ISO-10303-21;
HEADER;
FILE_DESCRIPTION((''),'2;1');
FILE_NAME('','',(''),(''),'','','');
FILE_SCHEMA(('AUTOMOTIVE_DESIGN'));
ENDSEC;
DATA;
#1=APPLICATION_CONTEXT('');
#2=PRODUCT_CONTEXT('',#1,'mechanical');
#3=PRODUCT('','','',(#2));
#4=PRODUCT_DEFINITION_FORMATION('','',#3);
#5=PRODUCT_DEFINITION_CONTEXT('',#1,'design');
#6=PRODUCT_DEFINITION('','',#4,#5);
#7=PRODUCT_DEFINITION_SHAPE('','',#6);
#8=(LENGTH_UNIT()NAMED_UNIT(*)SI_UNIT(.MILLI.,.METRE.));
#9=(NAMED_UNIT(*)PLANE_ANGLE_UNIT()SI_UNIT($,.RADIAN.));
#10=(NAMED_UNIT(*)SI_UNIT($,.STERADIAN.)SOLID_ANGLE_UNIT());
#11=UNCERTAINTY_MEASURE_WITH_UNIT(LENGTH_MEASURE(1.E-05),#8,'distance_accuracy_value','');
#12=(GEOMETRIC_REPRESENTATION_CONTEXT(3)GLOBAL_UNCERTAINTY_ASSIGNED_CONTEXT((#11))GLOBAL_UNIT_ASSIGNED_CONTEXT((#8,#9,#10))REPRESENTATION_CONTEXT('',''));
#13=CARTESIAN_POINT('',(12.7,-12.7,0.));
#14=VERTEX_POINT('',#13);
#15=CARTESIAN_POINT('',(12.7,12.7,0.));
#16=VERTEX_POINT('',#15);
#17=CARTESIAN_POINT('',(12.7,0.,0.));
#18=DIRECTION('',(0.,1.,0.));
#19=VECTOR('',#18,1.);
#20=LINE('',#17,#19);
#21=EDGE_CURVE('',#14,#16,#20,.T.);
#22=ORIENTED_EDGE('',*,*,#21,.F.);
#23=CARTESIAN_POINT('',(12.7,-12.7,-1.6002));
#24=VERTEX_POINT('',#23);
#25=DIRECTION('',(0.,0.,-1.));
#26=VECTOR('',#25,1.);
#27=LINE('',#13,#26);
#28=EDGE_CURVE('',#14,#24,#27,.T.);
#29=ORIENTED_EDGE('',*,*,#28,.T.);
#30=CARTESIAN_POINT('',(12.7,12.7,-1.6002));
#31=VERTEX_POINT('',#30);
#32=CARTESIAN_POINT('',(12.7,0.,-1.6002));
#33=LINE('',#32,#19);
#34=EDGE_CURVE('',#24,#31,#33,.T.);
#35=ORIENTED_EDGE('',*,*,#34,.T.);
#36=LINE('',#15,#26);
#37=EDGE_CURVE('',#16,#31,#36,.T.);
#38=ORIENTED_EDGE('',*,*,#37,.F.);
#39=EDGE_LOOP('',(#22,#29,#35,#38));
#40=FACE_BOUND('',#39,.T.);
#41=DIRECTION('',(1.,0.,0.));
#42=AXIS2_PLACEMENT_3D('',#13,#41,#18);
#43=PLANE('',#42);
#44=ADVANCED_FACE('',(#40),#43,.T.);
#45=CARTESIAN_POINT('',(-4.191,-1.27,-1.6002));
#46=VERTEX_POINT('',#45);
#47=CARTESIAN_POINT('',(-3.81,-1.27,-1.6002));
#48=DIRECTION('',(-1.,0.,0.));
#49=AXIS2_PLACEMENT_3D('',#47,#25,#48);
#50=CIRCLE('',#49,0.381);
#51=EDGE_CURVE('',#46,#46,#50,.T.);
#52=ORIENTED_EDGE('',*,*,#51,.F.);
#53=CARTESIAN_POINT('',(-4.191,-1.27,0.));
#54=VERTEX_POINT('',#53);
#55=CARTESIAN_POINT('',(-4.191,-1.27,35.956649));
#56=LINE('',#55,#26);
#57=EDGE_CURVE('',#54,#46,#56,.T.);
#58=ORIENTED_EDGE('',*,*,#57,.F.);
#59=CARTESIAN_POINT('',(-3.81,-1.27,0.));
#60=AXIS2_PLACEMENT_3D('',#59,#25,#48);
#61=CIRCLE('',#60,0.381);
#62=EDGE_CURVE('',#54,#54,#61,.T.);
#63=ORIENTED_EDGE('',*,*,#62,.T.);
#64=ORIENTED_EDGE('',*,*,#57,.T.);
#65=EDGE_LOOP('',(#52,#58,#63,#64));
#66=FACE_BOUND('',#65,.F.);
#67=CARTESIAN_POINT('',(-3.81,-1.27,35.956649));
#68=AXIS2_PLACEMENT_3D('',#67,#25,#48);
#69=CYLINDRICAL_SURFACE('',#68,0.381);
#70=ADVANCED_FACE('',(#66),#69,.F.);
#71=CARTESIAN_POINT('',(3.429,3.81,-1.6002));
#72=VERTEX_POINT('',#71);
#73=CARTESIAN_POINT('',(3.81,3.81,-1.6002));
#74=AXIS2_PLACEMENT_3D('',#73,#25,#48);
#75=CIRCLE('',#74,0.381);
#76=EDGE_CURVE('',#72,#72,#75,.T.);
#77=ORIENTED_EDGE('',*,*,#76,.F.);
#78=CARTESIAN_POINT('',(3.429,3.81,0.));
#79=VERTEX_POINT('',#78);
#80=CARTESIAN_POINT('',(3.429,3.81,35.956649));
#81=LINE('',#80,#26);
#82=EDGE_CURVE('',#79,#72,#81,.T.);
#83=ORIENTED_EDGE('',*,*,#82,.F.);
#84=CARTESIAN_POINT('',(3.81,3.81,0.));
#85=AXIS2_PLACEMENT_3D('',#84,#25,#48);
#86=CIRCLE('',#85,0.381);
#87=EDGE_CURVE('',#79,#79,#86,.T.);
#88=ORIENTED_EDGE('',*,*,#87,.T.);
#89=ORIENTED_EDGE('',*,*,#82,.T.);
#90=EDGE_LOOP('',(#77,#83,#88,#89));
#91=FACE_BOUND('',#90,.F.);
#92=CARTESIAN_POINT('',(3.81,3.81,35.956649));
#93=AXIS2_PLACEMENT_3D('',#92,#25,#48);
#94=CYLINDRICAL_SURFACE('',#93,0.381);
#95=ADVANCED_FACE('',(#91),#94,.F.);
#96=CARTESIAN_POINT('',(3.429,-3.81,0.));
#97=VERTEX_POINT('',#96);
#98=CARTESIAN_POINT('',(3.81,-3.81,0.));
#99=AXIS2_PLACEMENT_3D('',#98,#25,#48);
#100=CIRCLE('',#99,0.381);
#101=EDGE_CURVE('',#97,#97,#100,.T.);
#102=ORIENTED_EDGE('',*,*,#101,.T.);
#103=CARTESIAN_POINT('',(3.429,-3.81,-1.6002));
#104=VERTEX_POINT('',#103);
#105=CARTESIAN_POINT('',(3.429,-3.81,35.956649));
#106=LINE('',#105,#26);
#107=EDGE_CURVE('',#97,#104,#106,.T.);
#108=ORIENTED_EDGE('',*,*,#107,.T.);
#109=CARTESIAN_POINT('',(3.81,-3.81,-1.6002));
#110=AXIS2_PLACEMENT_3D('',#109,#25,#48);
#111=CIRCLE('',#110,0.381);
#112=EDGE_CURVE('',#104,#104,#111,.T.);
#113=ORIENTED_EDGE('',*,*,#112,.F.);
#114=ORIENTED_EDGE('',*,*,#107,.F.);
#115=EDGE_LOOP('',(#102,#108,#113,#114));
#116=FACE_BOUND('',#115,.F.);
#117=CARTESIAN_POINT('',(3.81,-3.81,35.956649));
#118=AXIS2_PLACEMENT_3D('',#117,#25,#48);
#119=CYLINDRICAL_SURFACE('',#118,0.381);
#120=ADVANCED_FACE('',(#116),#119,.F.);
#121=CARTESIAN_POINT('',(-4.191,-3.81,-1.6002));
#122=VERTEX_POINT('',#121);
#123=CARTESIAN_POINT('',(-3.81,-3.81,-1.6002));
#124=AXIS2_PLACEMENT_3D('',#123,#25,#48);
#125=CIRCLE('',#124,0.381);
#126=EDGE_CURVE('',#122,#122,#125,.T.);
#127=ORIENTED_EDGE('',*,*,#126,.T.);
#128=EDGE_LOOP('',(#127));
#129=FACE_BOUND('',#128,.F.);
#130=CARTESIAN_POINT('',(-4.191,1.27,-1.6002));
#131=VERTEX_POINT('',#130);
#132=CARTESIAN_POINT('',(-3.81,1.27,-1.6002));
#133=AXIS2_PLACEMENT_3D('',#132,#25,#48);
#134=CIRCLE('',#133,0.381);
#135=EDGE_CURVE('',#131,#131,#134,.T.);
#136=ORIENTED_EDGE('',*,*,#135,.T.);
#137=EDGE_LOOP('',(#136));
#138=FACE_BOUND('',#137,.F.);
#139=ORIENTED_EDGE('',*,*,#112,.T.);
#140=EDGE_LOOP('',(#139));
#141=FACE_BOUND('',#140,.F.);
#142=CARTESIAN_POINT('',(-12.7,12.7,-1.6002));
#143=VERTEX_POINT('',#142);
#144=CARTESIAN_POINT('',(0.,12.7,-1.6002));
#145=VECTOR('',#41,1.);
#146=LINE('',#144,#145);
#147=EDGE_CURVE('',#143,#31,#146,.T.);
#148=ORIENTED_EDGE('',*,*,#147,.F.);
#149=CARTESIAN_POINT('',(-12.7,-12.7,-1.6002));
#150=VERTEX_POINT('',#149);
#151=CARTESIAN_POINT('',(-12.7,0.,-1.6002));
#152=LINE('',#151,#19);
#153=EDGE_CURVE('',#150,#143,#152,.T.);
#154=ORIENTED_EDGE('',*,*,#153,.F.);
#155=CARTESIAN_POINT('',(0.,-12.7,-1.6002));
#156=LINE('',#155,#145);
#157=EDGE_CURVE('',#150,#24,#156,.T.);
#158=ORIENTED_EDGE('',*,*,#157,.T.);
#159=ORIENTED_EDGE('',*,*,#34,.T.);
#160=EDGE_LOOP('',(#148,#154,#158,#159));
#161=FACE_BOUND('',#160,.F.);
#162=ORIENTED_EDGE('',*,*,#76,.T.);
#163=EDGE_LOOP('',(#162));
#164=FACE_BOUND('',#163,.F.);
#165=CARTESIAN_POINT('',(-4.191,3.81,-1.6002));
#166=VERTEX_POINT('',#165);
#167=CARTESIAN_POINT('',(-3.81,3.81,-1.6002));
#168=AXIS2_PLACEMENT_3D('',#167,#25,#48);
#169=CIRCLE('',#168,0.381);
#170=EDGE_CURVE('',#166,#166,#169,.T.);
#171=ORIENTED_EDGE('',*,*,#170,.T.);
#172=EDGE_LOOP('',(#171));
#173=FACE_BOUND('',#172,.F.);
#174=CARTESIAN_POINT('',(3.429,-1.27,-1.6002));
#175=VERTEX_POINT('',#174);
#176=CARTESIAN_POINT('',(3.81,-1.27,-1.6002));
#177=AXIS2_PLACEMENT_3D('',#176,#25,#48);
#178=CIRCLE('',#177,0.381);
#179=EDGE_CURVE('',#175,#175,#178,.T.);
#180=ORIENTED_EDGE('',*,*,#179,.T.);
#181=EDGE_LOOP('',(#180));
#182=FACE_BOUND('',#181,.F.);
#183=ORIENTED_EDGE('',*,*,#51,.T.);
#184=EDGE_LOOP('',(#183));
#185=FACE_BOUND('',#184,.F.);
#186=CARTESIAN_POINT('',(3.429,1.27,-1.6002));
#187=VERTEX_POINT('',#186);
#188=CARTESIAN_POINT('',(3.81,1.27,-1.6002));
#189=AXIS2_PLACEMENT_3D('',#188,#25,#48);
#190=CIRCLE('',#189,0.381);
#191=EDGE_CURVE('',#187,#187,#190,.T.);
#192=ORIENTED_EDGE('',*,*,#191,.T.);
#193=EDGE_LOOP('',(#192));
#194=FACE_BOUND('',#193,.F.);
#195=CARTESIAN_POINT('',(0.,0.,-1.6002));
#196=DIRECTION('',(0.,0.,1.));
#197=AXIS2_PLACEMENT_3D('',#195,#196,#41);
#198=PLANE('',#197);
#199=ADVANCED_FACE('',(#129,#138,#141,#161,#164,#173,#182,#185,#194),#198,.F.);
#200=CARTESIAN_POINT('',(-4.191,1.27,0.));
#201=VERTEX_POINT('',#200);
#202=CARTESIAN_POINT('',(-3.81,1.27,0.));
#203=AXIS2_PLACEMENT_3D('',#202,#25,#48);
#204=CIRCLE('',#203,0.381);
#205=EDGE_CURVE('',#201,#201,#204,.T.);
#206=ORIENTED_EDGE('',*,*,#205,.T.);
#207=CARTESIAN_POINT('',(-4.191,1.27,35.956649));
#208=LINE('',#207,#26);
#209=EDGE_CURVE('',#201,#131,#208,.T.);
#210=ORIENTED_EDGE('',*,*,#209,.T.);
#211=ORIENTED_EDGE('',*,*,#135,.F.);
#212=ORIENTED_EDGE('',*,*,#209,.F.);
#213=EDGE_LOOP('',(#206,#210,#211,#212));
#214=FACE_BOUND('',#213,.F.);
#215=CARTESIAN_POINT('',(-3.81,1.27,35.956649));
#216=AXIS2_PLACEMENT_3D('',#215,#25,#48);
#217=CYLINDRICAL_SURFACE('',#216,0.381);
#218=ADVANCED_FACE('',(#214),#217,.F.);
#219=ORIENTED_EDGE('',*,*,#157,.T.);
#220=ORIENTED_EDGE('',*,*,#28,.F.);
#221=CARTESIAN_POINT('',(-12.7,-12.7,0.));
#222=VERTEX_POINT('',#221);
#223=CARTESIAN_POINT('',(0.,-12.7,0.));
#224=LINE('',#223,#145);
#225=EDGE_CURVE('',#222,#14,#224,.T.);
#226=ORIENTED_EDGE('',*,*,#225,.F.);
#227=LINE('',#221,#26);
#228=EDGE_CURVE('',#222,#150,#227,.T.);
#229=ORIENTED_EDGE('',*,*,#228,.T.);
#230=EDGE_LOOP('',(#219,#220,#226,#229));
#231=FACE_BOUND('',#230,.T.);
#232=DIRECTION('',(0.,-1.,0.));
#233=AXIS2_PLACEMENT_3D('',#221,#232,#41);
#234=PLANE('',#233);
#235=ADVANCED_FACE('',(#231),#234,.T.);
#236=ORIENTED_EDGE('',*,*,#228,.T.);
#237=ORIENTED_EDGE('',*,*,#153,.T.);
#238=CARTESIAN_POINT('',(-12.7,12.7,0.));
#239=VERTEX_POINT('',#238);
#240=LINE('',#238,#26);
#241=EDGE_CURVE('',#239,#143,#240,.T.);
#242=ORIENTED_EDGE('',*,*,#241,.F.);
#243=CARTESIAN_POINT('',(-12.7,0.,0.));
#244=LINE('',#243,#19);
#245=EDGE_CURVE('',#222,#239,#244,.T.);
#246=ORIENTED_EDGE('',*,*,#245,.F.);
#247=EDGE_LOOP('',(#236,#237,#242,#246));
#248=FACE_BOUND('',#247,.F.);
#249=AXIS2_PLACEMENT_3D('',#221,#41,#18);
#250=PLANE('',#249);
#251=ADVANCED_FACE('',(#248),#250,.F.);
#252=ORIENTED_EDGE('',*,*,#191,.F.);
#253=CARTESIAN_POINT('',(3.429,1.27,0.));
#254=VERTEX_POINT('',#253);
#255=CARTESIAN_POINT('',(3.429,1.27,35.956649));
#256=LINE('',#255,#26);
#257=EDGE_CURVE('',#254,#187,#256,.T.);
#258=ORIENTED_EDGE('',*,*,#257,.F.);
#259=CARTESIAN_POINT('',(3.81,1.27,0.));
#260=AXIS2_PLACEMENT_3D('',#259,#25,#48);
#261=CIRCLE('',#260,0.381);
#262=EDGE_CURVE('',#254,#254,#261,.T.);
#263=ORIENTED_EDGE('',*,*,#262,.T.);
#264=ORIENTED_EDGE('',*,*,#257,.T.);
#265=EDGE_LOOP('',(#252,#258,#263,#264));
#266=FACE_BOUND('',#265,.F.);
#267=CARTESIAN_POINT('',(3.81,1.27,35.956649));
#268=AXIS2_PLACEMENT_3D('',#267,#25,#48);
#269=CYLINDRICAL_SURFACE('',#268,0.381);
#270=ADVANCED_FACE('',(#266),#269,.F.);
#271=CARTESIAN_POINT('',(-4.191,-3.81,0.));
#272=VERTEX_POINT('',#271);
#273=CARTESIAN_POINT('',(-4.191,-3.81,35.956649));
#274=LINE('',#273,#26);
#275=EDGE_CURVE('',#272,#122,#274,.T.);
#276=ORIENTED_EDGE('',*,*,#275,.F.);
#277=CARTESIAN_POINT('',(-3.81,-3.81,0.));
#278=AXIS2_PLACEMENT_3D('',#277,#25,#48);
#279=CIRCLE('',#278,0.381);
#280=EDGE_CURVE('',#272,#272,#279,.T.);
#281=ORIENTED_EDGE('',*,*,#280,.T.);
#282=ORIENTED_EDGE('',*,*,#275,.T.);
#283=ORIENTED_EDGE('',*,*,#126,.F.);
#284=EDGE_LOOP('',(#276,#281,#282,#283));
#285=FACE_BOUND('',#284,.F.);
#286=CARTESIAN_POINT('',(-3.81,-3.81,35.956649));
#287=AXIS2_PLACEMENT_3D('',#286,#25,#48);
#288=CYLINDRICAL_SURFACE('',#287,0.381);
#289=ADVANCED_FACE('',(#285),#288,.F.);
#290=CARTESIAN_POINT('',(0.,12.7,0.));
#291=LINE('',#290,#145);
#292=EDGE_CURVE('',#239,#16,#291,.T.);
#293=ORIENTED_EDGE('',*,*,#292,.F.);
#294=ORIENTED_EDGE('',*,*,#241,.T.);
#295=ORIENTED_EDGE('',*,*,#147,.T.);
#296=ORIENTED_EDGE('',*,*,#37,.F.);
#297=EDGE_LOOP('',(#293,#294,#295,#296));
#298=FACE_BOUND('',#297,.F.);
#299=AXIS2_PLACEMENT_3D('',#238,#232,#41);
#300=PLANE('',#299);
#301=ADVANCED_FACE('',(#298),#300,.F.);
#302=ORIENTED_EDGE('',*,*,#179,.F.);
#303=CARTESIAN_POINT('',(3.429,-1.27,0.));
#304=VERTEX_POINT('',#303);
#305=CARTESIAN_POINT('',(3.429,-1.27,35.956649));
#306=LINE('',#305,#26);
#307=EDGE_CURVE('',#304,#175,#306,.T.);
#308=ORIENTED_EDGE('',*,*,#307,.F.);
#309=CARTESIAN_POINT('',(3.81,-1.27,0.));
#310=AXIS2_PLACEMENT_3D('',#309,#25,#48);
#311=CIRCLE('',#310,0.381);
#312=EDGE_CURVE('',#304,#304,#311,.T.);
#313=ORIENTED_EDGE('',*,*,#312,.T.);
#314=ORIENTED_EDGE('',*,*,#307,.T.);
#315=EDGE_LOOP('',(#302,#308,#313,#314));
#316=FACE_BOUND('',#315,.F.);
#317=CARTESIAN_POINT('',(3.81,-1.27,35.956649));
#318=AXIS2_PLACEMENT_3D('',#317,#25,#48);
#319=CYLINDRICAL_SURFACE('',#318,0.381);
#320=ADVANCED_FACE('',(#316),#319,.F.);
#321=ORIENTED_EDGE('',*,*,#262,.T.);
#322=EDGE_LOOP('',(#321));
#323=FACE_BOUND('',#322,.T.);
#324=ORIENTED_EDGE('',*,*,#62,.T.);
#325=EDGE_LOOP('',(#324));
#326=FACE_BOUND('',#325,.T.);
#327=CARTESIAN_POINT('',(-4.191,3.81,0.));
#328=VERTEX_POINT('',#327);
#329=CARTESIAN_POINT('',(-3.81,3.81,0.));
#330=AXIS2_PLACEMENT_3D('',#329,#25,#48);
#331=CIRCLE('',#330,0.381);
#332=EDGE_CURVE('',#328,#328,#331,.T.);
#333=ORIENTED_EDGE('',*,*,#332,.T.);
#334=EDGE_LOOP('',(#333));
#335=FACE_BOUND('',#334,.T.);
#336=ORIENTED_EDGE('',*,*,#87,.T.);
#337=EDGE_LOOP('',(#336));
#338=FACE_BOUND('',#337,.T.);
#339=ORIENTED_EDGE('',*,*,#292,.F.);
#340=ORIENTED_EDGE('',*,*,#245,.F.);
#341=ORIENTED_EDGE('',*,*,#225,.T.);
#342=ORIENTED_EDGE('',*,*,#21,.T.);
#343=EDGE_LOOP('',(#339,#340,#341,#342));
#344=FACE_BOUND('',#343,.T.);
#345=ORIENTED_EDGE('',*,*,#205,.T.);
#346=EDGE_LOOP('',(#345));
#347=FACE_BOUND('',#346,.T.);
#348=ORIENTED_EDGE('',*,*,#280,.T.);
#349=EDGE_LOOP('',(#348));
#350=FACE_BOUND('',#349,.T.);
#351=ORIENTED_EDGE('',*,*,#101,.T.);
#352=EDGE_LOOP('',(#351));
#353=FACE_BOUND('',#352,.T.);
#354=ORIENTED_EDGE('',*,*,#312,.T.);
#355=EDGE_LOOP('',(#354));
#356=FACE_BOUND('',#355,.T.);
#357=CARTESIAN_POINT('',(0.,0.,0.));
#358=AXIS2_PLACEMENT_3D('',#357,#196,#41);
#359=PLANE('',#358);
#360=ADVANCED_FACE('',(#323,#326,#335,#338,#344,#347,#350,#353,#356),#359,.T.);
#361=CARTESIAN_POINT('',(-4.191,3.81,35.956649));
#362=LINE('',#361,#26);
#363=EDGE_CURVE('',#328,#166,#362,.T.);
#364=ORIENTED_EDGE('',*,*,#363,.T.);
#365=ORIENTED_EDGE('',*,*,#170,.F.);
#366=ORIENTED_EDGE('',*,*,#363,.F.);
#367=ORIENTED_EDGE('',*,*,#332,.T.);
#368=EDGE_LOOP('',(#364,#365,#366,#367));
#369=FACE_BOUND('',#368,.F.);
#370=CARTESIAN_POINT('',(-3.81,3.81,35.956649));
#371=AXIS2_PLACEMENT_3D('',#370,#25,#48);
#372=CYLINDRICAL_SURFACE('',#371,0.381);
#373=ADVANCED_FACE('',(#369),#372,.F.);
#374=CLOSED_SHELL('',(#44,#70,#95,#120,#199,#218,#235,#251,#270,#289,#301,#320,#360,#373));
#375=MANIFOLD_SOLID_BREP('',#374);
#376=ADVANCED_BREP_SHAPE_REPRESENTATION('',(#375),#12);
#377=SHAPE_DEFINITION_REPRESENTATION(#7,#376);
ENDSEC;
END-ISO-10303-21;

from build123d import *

# Parameters (mm, degrees)
F0_W     = 25.4
F0_H     = 25.4
F1_DEPTH = 1.6002
F3_D     = 0.762


with BuildPart() as f1:
    # F0 (on Top) → F1 (new body)
    with BuildSketch(Plane.XY):
        Rectangle(F0_W, F0_H)
    extrude(amount=-F1_DEPTH)

    # F3 (through all)
    with Locations(Plane.XY):
        with Locations((-3.81, 3.81), (-3.81, 1.27), (-3.81, -1.27), (-3.81, -3.81), (3.81, -1.27), (3.81, 1.27), (3.81, 3.81), (3.81, -3.81)):
            Hole(F3_D / 2)


solid = f1.part
